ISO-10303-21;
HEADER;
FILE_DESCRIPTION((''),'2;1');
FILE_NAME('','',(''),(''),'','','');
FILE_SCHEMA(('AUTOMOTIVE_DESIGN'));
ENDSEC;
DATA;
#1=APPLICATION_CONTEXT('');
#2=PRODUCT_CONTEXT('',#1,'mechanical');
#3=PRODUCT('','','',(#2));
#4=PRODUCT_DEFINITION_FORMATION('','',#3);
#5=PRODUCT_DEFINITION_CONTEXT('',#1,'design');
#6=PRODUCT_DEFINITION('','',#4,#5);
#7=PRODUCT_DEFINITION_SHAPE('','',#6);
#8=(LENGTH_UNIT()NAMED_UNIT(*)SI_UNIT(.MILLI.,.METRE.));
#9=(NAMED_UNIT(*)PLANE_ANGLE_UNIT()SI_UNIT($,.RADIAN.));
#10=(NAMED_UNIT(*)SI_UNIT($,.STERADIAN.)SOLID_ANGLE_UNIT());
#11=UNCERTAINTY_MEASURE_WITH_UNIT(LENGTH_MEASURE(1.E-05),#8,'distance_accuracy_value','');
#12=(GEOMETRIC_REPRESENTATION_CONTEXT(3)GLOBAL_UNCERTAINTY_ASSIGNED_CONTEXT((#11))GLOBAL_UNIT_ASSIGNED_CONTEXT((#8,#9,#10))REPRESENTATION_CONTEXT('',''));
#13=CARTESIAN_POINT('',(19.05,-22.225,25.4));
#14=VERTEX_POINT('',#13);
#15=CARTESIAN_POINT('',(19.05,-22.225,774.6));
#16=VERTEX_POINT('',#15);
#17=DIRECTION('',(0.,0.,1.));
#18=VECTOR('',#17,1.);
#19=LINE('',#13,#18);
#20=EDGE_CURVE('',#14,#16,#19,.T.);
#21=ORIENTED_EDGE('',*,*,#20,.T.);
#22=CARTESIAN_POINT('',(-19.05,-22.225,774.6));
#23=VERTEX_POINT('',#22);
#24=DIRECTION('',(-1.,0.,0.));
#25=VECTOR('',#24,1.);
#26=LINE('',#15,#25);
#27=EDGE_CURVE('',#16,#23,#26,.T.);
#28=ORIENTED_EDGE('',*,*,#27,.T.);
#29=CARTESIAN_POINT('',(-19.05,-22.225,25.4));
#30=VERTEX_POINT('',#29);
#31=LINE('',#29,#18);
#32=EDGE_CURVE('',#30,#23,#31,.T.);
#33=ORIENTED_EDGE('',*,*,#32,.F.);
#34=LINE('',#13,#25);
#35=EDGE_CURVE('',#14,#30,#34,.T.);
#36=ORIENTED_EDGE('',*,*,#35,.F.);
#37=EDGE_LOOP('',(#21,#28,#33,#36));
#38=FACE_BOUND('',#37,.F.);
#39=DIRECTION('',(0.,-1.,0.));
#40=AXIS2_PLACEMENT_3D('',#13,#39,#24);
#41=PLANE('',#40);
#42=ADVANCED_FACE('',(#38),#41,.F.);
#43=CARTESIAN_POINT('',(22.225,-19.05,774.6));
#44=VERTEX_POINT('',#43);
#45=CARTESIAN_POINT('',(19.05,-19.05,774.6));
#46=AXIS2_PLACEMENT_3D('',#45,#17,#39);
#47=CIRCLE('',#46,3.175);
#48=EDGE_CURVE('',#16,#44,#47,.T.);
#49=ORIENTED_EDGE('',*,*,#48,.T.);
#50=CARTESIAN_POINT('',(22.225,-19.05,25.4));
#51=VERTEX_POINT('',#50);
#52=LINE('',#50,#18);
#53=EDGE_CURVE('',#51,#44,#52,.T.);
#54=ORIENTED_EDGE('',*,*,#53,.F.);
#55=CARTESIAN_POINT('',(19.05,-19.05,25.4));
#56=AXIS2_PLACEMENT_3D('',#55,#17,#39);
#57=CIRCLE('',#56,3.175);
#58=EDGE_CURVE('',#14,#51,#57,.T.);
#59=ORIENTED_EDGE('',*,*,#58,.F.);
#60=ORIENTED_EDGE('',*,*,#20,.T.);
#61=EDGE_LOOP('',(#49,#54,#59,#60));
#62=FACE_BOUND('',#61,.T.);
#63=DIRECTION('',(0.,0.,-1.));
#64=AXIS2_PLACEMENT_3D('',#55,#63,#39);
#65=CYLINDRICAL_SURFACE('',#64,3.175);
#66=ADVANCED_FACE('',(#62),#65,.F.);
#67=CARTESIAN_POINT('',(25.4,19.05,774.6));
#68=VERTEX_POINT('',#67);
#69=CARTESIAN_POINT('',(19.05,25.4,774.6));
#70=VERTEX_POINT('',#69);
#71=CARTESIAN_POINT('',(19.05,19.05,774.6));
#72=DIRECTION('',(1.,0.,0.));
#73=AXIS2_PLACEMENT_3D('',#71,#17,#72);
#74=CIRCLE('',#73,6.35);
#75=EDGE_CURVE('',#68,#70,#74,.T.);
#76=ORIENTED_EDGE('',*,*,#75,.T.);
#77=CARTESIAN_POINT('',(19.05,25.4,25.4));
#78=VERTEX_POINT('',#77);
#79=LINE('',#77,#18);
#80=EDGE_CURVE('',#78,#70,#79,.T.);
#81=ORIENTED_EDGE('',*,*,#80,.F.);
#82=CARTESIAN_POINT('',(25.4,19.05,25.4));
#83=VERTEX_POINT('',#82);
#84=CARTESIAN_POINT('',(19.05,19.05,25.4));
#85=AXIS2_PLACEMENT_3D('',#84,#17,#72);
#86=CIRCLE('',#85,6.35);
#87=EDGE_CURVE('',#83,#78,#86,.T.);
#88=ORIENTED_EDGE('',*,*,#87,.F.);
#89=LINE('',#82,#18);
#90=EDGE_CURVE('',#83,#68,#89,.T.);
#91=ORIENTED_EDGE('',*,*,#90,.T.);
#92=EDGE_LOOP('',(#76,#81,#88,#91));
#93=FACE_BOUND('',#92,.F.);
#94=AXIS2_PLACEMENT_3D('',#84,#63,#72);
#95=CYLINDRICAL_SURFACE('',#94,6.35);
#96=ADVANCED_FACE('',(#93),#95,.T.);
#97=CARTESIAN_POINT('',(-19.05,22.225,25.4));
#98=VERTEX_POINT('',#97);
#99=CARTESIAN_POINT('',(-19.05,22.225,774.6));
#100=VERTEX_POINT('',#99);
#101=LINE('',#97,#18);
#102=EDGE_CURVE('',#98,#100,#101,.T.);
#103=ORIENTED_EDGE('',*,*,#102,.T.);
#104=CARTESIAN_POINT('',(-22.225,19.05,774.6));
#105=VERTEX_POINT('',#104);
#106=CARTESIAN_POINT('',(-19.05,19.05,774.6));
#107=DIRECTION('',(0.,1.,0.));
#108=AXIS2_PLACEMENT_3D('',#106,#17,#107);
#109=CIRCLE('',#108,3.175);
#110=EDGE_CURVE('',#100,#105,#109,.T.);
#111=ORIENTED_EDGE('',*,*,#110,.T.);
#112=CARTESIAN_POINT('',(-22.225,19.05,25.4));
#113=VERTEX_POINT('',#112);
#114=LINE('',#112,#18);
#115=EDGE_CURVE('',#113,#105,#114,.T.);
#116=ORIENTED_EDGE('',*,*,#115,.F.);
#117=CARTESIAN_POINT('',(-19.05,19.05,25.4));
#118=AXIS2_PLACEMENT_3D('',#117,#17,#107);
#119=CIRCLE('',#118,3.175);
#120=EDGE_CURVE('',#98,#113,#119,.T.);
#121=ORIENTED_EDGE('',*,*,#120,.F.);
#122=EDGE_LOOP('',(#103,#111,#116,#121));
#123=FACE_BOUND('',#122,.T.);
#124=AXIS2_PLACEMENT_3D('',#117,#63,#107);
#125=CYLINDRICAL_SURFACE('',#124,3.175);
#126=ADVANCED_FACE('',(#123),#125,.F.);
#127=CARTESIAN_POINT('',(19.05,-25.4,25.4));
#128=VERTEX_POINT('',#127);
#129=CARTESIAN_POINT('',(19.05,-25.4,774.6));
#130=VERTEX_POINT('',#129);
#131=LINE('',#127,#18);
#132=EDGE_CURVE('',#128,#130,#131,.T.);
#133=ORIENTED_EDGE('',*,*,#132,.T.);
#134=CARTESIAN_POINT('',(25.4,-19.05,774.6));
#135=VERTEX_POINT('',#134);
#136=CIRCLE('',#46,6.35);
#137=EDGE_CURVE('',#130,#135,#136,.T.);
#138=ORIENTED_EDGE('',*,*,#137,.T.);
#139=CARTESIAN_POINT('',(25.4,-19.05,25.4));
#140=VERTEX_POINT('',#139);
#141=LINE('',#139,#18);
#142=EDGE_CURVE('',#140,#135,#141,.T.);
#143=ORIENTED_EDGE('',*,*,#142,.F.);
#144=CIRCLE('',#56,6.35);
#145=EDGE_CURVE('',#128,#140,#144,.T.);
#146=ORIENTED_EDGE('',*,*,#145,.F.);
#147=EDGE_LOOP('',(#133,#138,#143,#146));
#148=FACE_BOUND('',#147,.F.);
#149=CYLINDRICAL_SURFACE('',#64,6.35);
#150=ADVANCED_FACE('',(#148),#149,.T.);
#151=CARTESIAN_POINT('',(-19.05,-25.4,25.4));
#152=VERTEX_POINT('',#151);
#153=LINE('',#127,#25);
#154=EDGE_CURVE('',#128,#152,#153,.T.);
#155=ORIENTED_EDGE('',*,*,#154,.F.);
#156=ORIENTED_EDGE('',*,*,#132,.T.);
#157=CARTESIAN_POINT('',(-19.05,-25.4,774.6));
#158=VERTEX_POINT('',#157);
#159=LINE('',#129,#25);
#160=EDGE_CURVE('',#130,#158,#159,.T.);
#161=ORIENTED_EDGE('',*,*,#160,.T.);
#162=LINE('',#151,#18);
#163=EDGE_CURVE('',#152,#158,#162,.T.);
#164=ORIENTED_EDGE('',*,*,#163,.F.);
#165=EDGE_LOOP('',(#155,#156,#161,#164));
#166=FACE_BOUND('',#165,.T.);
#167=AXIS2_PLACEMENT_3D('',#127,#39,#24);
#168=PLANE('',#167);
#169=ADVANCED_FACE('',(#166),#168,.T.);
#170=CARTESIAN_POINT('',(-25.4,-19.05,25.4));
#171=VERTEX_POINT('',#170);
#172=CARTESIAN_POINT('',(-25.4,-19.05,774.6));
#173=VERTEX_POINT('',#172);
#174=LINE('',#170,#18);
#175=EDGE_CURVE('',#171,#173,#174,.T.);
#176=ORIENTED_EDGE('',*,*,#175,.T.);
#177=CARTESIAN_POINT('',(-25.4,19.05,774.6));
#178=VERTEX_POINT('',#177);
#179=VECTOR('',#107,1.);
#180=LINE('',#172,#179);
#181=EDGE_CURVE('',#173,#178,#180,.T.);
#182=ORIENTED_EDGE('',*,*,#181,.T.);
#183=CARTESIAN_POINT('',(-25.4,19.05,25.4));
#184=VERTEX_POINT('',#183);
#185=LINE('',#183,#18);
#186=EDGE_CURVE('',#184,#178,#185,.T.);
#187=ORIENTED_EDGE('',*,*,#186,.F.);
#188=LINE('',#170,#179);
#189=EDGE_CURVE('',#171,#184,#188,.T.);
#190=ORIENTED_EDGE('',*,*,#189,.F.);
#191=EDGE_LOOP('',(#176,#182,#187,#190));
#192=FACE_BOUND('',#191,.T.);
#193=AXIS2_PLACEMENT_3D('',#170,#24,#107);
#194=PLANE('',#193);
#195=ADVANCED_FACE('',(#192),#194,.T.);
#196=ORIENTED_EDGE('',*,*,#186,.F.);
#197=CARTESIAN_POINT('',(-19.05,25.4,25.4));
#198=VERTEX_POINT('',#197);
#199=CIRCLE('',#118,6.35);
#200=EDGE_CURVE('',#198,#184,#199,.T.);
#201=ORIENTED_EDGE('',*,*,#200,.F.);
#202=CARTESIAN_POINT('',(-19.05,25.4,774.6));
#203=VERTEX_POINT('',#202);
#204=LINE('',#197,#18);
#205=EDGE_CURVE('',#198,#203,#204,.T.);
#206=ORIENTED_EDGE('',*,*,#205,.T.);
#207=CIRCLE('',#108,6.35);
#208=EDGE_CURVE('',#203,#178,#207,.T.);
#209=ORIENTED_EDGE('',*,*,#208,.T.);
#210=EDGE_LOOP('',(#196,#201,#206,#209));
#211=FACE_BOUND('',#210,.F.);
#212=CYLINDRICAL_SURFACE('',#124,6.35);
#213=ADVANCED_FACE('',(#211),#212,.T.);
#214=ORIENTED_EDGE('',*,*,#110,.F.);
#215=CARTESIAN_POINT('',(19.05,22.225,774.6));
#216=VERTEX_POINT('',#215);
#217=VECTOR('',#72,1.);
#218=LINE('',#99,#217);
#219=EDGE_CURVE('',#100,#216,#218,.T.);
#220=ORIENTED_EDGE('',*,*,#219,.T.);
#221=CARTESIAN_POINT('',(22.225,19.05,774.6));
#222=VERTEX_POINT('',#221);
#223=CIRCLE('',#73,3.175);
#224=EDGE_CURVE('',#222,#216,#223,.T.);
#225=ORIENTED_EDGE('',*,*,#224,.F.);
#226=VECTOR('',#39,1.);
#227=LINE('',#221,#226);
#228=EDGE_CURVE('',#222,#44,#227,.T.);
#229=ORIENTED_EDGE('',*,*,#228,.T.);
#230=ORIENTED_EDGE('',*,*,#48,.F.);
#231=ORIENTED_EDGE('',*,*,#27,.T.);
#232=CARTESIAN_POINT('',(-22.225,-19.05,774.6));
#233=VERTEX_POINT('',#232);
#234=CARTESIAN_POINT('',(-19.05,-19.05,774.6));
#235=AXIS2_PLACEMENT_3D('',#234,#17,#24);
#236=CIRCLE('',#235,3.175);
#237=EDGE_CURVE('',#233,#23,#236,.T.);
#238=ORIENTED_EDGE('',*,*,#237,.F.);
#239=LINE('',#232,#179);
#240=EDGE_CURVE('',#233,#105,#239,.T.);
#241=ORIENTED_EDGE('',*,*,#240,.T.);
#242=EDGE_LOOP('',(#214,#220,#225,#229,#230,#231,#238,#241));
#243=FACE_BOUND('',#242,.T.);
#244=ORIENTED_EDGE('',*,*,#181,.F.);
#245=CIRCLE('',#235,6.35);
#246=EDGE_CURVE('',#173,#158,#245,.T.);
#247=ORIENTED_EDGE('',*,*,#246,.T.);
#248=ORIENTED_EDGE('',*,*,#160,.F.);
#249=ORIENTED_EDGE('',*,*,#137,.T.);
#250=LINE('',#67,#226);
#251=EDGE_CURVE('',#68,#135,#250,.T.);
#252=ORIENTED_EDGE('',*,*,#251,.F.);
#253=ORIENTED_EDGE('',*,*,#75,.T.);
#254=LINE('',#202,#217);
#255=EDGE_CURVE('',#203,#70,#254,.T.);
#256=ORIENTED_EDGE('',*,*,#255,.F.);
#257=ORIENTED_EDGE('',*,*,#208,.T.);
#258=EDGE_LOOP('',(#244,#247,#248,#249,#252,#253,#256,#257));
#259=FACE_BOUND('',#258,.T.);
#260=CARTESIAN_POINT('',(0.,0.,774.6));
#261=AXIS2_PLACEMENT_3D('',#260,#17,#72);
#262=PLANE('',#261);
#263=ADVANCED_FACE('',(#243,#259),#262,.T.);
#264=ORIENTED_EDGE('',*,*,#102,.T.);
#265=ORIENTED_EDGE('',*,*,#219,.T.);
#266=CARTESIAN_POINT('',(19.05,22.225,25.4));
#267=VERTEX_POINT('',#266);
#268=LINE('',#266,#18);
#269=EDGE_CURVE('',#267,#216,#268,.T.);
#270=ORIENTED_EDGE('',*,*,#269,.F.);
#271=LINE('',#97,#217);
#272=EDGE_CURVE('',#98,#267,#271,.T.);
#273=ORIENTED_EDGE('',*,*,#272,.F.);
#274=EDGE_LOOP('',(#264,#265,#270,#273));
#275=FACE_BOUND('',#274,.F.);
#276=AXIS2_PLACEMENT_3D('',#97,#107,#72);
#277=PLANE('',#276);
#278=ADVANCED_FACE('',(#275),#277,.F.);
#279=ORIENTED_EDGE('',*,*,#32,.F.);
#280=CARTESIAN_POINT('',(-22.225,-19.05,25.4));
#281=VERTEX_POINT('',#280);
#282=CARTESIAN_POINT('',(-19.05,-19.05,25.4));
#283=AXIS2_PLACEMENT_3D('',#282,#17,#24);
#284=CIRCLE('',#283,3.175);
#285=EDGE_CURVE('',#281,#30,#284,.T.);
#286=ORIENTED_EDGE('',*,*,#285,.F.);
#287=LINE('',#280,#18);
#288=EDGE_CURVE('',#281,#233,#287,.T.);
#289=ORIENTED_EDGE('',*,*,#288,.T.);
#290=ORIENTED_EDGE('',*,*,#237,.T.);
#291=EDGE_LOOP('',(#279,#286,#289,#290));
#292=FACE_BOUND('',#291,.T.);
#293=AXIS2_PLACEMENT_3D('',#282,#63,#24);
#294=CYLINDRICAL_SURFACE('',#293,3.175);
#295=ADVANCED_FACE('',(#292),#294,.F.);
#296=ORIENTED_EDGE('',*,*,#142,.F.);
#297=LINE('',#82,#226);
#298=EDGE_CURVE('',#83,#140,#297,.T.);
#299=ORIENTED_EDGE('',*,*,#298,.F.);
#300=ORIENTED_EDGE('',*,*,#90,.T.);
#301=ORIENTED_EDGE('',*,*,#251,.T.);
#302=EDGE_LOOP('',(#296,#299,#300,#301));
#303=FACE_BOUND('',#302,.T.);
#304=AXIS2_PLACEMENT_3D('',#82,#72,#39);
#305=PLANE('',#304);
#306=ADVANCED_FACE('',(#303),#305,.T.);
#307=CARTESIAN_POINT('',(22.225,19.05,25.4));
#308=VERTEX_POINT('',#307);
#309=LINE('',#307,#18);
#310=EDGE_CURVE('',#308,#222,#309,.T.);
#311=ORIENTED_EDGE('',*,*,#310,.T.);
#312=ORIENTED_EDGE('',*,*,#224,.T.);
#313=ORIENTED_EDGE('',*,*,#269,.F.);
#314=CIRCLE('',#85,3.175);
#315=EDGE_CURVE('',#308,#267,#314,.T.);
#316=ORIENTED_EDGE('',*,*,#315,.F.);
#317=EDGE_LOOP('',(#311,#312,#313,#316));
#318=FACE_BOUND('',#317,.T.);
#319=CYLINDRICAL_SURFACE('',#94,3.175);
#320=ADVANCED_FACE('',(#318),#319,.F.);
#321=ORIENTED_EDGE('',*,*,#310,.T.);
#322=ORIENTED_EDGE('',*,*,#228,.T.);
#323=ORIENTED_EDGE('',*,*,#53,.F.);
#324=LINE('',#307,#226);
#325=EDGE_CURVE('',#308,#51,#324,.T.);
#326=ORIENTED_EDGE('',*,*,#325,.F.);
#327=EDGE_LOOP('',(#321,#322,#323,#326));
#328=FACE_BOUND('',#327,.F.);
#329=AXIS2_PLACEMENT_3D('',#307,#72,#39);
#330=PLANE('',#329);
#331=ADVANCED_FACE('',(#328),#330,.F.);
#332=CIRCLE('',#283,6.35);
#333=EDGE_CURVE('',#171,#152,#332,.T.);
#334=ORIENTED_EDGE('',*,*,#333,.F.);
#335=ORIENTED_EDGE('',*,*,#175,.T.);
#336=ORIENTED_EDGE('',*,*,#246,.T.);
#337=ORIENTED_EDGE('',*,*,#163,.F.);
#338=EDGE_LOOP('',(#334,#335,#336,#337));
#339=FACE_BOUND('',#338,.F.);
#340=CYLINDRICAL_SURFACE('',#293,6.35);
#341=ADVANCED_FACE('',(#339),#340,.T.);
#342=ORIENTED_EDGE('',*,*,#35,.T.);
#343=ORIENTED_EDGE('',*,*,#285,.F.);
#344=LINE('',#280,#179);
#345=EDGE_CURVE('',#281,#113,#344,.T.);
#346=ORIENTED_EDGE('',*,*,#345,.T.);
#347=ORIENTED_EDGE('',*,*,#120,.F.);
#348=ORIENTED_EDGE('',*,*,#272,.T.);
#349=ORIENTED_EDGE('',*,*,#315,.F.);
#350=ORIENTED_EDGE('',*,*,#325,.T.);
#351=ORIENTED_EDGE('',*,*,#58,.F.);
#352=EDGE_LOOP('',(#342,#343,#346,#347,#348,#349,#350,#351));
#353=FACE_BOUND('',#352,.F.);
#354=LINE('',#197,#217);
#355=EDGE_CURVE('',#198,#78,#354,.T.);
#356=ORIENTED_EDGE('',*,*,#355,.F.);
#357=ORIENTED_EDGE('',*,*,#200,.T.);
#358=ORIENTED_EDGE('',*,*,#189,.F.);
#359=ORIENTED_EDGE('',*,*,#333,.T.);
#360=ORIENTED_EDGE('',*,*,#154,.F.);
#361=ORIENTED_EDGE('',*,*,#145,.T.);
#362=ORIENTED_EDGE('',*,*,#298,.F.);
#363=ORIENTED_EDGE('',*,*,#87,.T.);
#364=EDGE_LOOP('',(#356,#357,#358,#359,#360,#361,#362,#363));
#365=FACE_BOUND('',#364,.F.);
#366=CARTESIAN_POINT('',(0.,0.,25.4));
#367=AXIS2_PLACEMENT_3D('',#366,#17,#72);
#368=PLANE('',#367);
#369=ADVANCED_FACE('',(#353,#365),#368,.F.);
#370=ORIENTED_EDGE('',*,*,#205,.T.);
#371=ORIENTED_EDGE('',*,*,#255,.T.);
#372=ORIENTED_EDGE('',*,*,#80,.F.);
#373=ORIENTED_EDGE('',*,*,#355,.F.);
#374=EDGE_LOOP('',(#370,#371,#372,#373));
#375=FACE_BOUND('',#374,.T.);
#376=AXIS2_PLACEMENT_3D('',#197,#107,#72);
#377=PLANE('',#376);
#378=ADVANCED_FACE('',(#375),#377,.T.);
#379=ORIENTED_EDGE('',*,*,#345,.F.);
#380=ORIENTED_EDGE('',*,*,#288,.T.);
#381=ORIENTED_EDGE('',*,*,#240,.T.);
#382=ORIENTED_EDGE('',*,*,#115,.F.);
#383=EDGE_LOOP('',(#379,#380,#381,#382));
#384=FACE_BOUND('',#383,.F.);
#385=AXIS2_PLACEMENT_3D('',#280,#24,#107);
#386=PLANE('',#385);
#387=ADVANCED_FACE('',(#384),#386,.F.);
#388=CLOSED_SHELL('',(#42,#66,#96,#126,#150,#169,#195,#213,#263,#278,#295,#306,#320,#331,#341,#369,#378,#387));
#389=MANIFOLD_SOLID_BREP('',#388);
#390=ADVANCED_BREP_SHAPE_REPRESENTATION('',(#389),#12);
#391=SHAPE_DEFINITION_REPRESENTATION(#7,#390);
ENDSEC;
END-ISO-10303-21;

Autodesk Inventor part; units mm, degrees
ref_plane "Plano inicial" through (0, 0, 25.4) normal (0, 0, 1) x (1, 0, 0)
ref_plane "Plano final" through (0, 0, 774.6) normal (0, 0, 1) x (1, 0, 0)
sketch "Boceto" plane through (0, 0, 0) normal (0, 0, 1) x (1, 0, 0)
  line L0 (-25.4, -19.05) -> (-25.4, 19.05)
  line L1 (-19.05, 25.4) -> (19.05, 25.4)
  line L2 (25.4, 19.05) -> (25.4, -19.05)
  line L3 (19.05, -25.4) -> (-19.05, -25.4)
  arc A0 (-25.4, -19.05) -> (-19.05, -25.4) centre (-19.05, -19.05) ccw
  arc A1 (-19.05, 25.4) -> (-25.4, 19.05) centre (-19.05, 19.05) ccw
  arc A2 (25.4, 19.05) -> (19.05, 25.4) centre (19.05, 19.05) ccw
  arc A3 (19.05, -25.4) -> (25.4, -19.05) centre (19.05, -19.05) ccw
  arc A4 (-19.05, 22.225) -> (-22.225, 19.05) centre (-19.05, 19.05) ccw
  line L4 (-19.05, 22.225) -> (19.05, 22.225)
  arc A5 (22.225, 19.05) -> (19.05, 22.225) centre (19.05, 19.05) ccw
  line L5 (22.225, 19.05) -> (22.225, -19.05)
  arc A6 (19.05, -22.225) -> (22.225, -19.05) centre (19.05, -19.05) ccw
  line L6 (19.05, -22.225) -> (-19.05, -22.225)
  arc A7 (-22.225, -19.05) -> (-19.05, -22.225) centre (-19.05, -19.05) ccw
  line L7 (-22.225, -19.05) -> (-22.225, 19.05)
  line L8 (0, 37.4012) -> (0, -37.4012) construction
  line L9 (-37.4012, 0) -> (37.4012, 0) construction
  dimension "d10" = 50.8
  dimension "d11" = 50.8
  dimension "d12" = 3.175
  dimension "d15" = 25.4
  dimension "d16" = 25.4
  dimension "d17" = 6.35
extrude "Cuerpo" add sketch "Boceto" along normal up to surface (749.2 mm away) from surface at 25.4
sketch "Sketch3" plane through (0, 0, 0) normal (0, 0, 1) x (1, 0, 0)
  line L0 (0, 0) -> (10, 0)
ref_plane "Work Plane3" through (0, 0, 0) normal (0, -1, 0) x (1, 0, 0)
ref_plane "Plano de trabajo4" through (0, 480.95, 25.4) normal (0, 0, -1) x (-1, 0, 0)
split "Dividir1" plane through (0, 480.95, 25.4) removes the side toward (0, 0, -1)
ref_plane "Plano de trabajo5" through (19.05, 500, 774.6) normal (0, 0, 1) x (1, 0, 0)
split "Dividir2" plane through (19.05, 500, 774.6) removes the side toward (0, 0, 1)
sketch "Sketch4" plane through (0, 0, 0) normal (0, -1, 0) x (1, 0, 0)
  line L0 (-2, 25.4) -> (12, 25.4) projected
  line L1 (-2, 774.6) -> (12, 774.6) projected
  dimension "d19" = 749.2
equation "\"d10\" = G_H"
equation "\"d11\" = G_W"
equation "\"d12\" = G_T"
equation "\"d15\" = 0.5 * d10"
equation "\"d16\" = 0.5 * d11"
equation "\"d17\" = G_IR"
equation "\"d3\" = G_L"
equation "\"G_W\" = 50.8"
equation "\"G_H\" = 50.8"
equation "\"G_T\" = 3.175"
equation "\"G_IR\" = 6.35"
equation "\"G_L\" = d19"
equation "\"G_OFFSET_START\" = -25.4"
equation "\"G_OFFSET_END\" = -25.4"
equation "\"d13\" = -G_OFFSET_START"
equation "\"d14\" = G_OFFSET_END + B_L"
equation "\"B_L\" = 800"
properties part number "AISC - 2 x 2 x 1/8 - 29,496" material "Acero, suave"
